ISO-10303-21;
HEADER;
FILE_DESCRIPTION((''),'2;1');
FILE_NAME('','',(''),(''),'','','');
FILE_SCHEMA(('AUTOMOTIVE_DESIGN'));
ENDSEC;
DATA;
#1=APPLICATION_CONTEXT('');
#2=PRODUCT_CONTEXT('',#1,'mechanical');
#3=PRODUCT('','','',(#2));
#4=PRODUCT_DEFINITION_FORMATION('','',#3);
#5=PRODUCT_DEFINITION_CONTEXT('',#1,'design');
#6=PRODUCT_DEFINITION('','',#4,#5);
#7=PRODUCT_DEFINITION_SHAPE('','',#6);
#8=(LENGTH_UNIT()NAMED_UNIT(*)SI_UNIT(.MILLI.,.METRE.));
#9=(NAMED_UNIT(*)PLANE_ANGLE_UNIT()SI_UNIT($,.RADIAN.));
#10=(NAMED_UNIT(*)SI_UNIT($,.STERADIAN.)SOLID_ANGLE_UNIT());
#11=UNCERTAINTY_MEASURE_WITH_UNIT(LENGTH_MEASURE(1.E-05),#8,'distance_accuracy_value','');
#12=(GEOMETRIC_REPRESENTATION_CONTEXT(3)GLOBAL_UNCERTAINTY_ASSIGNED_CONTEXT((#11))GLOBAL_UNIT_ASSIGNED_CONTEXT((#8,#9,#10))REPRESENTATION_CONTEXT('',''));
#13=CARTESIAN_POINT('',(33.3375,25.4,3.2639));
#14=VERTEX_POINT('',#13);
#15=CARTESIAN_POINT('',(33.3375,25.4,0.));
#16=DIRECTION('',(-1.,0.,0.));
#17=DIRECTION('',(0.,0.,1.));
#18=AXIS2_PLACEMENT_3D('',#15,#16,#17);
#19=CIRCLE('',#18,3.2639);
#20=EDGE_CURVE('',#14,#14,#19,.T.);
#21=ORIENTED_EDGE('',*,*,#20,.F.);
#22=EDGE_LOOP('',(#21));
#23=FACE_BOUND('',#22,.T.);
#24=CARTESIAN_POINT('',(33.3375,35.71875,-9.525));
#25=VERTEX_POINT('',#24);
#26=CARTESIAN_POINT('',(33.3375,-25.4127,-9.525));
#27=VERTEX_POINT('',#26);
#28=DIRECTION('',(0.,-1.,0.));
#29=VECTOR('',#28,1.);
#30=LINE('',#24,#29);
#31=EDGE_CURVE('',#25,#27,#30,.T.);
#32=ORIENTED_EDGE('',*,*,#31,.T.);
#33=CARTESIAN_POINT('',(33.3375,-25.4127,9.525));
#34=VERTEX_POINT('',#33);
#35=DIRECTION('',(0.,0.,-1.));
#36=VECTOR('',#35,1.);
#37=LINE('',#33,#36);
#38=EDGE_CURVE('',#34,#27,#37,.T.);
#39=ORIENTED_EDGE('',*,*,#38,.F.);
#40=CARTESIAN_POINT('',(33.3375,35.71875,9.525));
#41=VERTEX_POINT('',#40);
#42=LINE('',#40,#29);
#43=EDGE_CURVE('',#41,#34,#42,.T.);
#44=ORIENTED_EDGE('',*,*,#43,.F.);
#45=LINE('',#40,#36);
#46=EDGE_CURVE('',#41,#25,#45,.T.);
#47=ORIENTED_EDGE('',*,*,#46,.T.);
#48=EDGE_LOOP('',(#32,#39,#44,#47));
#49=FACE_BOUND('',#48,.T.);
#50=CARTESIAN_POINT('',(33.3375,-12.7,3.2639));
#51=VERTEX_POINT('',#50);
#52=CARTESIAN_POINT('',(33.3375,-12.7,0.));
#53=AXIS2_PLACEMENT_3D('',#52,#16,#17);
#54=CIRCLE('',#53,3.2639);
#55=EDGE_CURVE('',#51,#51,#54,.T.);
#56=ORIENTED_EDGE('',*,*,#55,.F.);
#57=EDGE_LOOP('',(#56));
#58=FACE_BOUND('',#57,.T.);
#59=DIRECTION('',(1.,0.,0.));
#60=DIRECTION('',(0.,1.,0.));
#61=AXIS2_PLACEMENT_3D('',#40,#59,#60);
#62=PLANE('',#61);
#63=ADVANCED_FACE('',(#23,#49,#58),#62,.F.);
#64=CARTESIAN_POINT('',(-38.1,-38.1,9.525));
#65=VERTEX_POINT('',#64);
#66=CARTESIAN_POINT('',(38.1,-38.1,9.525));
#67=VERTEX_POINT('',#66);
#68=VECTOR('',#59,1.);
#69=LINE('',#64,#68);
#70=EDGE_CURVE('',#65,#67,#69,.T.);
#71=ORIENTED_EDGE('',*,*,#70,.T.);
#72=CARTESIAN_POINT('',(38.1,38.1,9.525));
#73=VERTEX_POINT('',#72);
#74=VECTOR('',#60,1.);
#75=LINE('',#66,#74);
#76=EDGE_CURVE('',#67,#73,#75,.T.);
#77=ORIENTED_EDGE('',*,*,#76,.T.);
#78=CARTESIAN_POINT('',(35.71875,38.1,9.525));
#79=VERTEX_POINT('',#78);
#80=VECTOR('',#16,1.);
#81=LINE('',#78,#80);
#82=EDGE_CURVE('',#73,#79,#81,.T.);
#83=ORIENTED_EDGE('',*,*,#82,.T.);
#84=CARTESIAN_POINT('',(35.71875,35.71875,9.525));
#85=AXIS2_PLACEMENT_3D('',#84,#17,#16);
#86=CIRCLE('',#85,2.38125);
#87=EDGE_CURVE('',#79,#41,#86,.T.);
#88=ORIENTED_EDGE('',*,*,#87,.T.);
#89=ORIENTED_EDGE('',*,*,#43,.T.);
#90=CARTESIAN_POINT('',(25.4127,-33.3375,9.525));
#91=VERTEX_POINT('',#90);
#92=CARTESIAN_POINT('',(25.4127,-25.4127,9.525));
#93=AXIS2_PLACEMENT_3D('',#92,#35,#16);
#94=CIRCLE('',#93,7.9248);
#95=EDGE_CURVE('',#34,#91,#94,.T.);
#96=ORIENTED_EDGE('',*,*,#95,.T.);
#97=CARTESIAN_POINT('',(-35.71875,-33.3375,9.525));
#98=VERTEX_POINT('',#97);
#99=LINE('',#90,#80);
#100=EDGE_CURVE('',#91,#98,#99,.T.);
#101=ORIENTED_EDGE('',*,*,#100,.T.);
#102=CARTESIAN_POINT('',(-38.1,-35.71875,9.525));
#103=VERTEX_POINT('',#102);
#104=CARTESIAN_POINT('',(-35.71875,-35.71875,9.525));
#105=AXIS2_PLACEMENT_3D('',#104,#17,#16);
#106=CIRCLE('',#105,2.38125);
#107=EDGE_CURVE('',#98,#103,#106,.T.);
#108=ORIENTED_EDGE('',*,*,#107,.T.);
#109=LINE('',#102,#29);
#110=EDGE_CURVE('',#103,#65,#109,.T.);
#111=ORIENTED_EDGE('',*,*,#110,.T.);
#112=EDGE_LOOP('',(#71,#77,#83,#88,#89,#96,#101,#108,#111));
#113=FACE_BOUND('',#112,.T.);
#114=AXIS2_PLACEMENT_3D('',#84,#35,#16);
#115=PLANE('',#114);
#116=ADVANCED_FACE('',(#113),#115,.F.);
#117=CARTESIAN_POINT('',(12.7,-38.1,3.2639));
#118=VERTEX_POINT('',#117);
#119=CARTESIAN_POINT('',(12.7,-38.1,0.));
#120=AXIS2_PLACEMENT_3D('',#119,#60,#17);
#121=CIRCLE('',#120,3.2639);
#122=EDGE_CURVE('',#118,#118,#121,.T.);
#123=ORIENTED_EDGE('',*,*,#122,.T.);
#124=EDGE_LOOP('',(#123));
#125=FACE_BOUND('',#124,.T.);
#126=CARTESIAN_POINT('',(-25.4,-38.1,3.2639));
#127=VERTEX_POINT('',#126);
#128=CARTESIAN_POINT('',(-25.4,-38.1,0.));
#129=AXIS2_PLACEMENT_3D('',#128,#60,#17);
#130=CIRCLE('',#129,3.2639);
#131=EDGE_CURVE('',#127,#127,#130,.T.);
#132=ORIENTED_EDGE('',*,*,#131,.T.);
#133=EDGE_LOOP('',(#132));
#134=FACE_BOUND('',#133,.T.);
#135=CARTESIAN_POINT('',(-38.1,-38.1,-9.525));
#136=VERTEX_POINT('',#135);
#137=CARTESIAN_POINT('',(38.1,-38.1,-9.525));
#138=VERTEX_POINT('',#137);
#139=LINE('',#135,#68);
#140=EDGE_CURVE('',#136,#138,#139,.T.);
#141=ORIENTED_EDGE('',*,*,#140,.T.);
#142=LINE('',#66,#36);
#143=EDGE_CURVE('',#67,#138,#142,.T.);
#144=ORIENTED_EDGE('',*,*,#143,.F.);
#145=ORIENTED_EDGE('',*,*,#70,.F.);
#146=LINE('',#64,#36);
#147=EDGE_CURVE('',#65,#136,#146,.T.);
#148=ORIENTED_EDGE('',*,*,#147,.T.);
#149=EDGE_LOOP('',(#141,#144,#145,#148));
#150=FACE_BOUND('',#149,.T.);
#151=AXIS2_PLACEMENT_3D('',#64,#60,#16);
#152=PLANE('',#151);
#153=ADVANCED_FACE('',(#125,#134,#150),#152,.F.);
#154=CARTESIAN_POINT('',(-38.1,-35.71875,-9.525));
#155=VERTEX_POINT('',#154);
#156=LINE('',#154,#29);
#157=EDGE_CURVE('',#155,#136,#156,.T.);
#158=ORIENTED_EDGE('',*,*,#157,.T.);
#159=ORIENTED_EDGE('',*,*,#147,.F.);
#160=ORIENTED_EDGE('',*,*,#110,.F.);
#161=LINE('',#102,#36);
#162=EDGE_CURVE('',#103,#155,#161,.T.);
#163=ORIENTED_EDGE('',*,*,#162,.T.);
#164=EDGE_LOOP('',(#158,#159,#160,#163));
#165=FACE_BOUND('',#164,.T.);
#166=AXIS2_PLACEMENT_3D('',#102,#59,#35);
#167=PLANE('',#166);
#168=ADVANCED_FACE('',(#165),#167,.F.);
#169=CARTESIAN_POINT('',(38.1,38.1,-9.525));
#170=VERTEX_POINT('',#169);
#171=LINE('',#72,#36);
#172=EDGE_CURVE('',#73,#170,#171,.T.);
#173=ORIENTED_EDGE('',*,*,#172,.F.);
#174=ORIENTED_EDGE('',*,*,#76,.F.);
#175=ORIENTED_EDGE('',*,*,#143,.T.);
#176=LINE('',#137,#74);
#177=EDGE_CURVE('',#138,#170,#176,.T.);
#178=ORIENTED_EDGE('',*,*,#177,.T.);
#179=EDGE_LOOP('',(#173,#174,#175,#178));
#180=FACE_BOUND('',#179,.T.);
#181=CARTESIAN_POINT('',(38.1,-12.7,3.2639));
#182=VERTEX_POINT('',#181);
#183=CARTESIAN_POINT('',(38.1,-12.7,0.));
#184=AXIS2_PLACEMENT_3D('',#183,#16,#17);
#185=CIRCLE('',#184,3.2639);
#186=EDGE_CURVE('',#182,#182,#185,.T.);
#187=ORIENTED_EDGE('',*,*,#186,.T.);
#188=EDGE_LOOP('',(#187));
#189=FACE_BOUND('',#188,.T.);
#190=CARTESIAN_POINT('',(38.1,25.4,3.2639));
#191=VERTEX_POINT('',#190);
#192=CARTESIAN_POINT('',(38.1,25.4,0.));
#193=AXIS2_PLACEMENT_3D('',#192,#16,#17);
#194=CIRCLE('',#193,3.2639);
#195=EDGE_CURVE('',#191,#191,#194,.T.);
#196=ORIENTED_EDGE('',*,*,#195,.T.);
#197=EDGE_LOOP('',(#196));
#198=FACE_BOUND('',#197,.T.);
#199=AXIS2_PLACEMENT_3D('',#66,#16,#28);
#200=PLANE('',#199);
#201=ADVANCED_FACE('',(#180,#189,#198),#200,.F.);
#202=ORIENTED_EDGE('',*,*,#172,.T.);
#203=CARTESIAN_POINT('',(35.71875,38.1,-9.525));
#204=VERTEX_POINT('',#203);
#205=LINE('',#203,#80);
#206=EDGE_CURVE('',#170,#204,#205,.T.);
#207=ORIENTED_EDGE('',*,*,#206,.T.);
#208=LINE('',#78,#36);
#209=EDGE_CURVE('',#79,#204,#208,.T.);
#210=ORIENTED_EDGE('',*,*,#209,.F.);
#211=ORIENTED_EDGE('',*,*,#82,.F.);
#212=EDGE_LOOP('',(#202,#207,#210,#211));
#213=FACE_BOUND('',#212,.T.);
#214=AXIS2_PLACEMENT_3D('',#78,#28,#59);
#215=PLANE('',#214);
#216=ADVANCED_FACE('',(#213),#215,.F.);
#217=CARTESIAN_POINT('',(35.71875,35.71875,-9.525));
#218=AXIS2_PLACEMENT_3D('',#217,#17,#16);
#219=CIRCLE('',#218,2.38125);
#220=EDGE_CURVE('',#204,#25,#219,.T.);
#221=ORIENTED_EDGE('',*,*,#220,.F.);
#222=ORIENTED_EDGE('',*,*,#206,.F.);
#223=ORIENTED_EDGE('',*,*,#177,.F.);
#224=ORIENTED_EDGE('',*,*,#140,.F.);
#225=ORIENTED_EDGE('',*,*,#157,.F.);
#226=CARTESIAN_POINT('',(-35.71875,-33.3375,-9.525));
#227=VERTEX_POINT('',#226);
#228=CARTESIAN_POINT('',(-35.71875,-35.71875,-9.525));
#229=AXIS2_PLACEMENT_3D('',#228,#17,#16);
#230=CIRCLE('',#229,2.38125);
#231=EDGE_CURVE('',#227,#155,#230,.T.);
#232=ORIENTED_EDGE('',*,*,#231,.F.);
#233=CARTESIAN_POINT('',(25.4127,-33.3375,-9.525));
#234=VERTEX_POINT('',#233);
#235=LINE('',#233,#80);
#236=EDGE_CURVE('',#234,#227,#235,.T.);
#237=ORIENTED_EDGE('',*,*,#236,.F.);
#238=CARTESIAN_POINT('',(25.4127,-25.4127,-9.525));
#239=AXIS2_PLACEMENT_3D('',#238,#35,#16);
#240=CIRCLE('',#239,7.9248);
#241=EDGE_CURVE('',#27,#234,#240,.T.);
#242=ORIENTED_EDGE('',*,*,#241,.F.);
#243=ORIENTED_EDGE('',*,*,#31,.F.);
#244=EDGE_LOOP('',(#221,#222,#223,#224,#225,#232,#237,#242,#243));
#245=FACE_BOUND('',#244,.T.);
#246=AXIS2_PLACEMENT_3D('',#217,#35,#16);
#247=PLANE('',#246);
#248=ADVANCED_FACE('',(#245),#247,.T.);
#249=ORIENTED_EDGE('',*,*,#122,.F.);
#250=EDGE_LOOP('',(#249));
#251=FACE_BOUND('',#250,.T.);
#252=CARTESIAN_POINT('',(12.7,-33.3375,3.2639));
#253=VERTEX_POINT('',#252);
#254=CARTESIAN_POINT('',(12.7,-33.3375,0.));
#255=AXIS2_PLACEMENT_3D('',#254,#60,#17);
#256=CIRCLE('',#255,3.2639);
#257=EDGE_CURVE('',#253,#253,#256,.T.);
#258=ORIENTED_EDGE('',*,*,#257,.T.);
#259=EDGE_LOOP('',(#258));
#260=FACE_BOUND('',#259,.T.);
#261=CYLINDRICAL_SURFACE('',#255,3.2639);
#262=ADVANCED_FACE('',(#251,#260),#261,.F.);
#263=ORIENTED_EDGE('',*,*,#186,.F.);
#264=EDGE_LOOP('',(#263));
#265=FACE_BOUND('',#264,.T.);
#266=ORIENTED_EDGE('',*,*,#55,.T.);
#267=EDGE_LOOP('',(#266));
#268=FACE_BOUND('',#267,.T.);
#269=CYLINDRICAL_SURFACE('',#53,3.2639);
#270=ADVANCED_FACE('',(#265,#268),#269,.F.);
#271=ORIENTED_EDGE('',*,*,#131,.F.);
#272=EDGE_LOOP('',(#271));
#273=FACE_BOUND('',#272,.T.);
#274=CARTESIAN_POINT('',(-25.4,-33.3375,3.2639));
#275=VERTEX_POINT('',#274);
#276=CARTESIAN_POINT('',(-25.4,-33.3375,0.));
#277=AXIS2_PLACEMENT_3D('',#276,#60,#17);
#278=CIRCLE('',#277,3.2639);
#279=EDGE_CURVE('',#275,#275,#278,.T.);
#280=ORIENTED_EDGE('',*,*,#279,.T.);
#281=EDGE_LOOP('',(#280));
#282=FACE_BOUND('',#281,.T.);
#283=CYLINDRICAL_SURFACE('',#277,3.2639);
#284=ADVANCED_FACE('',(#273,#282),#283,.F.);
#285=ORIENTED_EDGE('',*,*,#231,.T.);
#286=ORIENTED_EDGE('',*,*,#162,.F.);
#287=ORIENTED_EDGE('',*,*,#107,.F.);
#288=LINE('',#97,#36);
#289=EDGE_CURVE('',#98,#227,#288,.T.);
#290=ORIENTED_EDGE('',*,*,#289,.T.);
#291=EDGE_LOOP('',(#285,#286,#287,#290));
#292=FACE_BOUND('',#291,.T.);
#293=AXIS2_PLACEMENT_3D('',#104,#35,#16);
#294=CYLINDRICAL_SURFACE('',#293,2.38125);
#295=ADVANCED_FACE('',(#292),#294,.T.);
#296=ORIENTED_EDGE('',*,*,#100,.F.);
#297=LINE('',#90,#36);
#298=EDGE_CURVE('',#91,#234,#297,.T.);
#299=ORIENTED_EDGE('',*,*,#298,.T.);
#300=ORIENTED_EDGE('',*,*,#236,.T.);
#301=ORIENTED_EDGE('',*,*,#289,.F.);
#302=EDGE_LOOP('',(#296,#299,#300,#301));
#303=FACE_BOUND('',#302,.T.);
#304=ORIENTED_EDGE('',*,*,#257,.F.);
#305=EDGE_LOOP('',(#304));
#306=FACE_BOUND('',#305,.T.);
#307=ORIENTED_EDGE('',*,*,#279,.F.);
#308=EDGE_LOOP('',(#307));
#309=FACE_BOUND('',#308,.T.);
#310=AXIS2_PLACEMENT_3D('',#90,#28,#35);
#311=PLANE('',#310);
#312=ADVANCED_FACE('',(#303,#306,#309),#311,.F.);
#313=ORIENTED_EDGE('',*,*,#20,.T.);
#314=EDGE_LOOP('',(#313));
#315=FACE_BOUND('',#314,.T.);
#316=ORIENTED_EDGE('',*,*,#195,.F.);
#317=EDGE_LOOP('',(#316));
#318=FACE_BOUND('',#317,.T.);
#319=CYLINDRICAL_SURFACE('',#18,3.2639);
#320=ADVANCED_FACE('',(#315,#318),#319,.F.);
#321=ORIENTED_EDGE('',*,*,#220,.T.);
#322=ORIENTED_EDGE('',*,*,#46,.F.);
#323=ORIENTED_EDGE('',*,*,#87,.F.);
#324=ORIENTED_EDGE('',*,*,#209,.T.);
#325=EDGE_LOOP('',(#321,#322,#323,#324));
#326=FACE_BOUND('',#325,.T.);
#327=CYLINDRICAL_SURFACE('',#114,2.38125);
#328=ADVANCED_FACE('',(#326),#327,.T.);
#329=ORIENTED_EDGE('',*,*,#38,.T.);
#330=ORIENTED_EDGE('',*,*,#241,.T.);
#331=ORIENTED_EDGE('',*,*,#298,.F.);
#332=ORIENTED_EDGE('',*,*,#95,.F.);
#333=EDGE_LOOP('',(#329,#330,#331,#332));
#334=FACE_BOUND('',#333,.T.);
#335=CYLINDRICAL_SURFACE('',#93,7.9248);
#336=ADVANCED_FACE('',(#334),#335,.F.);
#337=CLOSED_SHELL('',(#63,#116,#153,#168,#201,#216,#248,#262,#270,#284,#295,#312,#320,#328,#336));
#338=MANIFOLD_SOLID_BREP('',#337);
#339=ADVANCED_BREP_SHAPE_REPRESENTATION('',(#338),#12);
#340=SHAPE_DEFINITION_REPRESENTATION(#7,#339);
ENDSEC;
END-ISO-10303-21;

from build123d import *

# Parameters (mm, degrees)
BOSS_EXTRUDE1_DEPTH      = 9.525
F_0_257_DIAMETER_HOLE1_D = 6.5278


with BuildPart() as part:
    # Sketch2 → Boss-Extrude1 (new, symmetric)
    with BuildSketch(Plane.XY):
        with BuildLine():
            Line((-38.1, -38.1), (38.1, -38.1))
            Line((38.1, -38.1), (38.1, 38.1))
            Line((38.1, 38.1), (35.71875, 38.1))
            ThreePointArc((35.71875, 38.1), (34.034951977, 37.402548023), (33.3375, 35.71875))
            Line((33.3375, 35.71875), (33.3375, -25.4127))
            ThreePointArc((33.3375, -25.4127), (31.01637982, -31.01637982), (25.4127, -33.3375))
            Line((25.4127, -33.3375), (-35.71875, -33.3375))
            ThreePointArc((-35.71875, -33.3375), (-37.402548023, -34.034951977), (-38.1, -35.71875))
            Line((-38.1, -35.71875), (-38.1, -38.1))
        make_face()
    extrude(amount=BOSS_EXTRUDE1_DEPTH, both=True)

    # F (0.257) Diameter Hole1 (through all)
    with Locations(Plane(origin=(0, -33.3375, 0), x_dir=(1, 0, 0), z_dir=(0, 1, 0))):
        with Locations((12.7, 0), (-25.4, 0)):
            f_0_257_diameter_hole1 = Hole(F_0_257_DIAMETER_HOLE1_D / 2)

    # Mirror1: F (0.257) Diameter Hole1 across plane
    add(f_0_257_diameter_hole1.mirror(Plane(origin=(0, 0, 0), x_dir=(0, 0, 1), z_dir=(0.7071067811865474, 0.7071067811865478, 0))), mode=Mode.SUBTRACT)


solid = part.part
